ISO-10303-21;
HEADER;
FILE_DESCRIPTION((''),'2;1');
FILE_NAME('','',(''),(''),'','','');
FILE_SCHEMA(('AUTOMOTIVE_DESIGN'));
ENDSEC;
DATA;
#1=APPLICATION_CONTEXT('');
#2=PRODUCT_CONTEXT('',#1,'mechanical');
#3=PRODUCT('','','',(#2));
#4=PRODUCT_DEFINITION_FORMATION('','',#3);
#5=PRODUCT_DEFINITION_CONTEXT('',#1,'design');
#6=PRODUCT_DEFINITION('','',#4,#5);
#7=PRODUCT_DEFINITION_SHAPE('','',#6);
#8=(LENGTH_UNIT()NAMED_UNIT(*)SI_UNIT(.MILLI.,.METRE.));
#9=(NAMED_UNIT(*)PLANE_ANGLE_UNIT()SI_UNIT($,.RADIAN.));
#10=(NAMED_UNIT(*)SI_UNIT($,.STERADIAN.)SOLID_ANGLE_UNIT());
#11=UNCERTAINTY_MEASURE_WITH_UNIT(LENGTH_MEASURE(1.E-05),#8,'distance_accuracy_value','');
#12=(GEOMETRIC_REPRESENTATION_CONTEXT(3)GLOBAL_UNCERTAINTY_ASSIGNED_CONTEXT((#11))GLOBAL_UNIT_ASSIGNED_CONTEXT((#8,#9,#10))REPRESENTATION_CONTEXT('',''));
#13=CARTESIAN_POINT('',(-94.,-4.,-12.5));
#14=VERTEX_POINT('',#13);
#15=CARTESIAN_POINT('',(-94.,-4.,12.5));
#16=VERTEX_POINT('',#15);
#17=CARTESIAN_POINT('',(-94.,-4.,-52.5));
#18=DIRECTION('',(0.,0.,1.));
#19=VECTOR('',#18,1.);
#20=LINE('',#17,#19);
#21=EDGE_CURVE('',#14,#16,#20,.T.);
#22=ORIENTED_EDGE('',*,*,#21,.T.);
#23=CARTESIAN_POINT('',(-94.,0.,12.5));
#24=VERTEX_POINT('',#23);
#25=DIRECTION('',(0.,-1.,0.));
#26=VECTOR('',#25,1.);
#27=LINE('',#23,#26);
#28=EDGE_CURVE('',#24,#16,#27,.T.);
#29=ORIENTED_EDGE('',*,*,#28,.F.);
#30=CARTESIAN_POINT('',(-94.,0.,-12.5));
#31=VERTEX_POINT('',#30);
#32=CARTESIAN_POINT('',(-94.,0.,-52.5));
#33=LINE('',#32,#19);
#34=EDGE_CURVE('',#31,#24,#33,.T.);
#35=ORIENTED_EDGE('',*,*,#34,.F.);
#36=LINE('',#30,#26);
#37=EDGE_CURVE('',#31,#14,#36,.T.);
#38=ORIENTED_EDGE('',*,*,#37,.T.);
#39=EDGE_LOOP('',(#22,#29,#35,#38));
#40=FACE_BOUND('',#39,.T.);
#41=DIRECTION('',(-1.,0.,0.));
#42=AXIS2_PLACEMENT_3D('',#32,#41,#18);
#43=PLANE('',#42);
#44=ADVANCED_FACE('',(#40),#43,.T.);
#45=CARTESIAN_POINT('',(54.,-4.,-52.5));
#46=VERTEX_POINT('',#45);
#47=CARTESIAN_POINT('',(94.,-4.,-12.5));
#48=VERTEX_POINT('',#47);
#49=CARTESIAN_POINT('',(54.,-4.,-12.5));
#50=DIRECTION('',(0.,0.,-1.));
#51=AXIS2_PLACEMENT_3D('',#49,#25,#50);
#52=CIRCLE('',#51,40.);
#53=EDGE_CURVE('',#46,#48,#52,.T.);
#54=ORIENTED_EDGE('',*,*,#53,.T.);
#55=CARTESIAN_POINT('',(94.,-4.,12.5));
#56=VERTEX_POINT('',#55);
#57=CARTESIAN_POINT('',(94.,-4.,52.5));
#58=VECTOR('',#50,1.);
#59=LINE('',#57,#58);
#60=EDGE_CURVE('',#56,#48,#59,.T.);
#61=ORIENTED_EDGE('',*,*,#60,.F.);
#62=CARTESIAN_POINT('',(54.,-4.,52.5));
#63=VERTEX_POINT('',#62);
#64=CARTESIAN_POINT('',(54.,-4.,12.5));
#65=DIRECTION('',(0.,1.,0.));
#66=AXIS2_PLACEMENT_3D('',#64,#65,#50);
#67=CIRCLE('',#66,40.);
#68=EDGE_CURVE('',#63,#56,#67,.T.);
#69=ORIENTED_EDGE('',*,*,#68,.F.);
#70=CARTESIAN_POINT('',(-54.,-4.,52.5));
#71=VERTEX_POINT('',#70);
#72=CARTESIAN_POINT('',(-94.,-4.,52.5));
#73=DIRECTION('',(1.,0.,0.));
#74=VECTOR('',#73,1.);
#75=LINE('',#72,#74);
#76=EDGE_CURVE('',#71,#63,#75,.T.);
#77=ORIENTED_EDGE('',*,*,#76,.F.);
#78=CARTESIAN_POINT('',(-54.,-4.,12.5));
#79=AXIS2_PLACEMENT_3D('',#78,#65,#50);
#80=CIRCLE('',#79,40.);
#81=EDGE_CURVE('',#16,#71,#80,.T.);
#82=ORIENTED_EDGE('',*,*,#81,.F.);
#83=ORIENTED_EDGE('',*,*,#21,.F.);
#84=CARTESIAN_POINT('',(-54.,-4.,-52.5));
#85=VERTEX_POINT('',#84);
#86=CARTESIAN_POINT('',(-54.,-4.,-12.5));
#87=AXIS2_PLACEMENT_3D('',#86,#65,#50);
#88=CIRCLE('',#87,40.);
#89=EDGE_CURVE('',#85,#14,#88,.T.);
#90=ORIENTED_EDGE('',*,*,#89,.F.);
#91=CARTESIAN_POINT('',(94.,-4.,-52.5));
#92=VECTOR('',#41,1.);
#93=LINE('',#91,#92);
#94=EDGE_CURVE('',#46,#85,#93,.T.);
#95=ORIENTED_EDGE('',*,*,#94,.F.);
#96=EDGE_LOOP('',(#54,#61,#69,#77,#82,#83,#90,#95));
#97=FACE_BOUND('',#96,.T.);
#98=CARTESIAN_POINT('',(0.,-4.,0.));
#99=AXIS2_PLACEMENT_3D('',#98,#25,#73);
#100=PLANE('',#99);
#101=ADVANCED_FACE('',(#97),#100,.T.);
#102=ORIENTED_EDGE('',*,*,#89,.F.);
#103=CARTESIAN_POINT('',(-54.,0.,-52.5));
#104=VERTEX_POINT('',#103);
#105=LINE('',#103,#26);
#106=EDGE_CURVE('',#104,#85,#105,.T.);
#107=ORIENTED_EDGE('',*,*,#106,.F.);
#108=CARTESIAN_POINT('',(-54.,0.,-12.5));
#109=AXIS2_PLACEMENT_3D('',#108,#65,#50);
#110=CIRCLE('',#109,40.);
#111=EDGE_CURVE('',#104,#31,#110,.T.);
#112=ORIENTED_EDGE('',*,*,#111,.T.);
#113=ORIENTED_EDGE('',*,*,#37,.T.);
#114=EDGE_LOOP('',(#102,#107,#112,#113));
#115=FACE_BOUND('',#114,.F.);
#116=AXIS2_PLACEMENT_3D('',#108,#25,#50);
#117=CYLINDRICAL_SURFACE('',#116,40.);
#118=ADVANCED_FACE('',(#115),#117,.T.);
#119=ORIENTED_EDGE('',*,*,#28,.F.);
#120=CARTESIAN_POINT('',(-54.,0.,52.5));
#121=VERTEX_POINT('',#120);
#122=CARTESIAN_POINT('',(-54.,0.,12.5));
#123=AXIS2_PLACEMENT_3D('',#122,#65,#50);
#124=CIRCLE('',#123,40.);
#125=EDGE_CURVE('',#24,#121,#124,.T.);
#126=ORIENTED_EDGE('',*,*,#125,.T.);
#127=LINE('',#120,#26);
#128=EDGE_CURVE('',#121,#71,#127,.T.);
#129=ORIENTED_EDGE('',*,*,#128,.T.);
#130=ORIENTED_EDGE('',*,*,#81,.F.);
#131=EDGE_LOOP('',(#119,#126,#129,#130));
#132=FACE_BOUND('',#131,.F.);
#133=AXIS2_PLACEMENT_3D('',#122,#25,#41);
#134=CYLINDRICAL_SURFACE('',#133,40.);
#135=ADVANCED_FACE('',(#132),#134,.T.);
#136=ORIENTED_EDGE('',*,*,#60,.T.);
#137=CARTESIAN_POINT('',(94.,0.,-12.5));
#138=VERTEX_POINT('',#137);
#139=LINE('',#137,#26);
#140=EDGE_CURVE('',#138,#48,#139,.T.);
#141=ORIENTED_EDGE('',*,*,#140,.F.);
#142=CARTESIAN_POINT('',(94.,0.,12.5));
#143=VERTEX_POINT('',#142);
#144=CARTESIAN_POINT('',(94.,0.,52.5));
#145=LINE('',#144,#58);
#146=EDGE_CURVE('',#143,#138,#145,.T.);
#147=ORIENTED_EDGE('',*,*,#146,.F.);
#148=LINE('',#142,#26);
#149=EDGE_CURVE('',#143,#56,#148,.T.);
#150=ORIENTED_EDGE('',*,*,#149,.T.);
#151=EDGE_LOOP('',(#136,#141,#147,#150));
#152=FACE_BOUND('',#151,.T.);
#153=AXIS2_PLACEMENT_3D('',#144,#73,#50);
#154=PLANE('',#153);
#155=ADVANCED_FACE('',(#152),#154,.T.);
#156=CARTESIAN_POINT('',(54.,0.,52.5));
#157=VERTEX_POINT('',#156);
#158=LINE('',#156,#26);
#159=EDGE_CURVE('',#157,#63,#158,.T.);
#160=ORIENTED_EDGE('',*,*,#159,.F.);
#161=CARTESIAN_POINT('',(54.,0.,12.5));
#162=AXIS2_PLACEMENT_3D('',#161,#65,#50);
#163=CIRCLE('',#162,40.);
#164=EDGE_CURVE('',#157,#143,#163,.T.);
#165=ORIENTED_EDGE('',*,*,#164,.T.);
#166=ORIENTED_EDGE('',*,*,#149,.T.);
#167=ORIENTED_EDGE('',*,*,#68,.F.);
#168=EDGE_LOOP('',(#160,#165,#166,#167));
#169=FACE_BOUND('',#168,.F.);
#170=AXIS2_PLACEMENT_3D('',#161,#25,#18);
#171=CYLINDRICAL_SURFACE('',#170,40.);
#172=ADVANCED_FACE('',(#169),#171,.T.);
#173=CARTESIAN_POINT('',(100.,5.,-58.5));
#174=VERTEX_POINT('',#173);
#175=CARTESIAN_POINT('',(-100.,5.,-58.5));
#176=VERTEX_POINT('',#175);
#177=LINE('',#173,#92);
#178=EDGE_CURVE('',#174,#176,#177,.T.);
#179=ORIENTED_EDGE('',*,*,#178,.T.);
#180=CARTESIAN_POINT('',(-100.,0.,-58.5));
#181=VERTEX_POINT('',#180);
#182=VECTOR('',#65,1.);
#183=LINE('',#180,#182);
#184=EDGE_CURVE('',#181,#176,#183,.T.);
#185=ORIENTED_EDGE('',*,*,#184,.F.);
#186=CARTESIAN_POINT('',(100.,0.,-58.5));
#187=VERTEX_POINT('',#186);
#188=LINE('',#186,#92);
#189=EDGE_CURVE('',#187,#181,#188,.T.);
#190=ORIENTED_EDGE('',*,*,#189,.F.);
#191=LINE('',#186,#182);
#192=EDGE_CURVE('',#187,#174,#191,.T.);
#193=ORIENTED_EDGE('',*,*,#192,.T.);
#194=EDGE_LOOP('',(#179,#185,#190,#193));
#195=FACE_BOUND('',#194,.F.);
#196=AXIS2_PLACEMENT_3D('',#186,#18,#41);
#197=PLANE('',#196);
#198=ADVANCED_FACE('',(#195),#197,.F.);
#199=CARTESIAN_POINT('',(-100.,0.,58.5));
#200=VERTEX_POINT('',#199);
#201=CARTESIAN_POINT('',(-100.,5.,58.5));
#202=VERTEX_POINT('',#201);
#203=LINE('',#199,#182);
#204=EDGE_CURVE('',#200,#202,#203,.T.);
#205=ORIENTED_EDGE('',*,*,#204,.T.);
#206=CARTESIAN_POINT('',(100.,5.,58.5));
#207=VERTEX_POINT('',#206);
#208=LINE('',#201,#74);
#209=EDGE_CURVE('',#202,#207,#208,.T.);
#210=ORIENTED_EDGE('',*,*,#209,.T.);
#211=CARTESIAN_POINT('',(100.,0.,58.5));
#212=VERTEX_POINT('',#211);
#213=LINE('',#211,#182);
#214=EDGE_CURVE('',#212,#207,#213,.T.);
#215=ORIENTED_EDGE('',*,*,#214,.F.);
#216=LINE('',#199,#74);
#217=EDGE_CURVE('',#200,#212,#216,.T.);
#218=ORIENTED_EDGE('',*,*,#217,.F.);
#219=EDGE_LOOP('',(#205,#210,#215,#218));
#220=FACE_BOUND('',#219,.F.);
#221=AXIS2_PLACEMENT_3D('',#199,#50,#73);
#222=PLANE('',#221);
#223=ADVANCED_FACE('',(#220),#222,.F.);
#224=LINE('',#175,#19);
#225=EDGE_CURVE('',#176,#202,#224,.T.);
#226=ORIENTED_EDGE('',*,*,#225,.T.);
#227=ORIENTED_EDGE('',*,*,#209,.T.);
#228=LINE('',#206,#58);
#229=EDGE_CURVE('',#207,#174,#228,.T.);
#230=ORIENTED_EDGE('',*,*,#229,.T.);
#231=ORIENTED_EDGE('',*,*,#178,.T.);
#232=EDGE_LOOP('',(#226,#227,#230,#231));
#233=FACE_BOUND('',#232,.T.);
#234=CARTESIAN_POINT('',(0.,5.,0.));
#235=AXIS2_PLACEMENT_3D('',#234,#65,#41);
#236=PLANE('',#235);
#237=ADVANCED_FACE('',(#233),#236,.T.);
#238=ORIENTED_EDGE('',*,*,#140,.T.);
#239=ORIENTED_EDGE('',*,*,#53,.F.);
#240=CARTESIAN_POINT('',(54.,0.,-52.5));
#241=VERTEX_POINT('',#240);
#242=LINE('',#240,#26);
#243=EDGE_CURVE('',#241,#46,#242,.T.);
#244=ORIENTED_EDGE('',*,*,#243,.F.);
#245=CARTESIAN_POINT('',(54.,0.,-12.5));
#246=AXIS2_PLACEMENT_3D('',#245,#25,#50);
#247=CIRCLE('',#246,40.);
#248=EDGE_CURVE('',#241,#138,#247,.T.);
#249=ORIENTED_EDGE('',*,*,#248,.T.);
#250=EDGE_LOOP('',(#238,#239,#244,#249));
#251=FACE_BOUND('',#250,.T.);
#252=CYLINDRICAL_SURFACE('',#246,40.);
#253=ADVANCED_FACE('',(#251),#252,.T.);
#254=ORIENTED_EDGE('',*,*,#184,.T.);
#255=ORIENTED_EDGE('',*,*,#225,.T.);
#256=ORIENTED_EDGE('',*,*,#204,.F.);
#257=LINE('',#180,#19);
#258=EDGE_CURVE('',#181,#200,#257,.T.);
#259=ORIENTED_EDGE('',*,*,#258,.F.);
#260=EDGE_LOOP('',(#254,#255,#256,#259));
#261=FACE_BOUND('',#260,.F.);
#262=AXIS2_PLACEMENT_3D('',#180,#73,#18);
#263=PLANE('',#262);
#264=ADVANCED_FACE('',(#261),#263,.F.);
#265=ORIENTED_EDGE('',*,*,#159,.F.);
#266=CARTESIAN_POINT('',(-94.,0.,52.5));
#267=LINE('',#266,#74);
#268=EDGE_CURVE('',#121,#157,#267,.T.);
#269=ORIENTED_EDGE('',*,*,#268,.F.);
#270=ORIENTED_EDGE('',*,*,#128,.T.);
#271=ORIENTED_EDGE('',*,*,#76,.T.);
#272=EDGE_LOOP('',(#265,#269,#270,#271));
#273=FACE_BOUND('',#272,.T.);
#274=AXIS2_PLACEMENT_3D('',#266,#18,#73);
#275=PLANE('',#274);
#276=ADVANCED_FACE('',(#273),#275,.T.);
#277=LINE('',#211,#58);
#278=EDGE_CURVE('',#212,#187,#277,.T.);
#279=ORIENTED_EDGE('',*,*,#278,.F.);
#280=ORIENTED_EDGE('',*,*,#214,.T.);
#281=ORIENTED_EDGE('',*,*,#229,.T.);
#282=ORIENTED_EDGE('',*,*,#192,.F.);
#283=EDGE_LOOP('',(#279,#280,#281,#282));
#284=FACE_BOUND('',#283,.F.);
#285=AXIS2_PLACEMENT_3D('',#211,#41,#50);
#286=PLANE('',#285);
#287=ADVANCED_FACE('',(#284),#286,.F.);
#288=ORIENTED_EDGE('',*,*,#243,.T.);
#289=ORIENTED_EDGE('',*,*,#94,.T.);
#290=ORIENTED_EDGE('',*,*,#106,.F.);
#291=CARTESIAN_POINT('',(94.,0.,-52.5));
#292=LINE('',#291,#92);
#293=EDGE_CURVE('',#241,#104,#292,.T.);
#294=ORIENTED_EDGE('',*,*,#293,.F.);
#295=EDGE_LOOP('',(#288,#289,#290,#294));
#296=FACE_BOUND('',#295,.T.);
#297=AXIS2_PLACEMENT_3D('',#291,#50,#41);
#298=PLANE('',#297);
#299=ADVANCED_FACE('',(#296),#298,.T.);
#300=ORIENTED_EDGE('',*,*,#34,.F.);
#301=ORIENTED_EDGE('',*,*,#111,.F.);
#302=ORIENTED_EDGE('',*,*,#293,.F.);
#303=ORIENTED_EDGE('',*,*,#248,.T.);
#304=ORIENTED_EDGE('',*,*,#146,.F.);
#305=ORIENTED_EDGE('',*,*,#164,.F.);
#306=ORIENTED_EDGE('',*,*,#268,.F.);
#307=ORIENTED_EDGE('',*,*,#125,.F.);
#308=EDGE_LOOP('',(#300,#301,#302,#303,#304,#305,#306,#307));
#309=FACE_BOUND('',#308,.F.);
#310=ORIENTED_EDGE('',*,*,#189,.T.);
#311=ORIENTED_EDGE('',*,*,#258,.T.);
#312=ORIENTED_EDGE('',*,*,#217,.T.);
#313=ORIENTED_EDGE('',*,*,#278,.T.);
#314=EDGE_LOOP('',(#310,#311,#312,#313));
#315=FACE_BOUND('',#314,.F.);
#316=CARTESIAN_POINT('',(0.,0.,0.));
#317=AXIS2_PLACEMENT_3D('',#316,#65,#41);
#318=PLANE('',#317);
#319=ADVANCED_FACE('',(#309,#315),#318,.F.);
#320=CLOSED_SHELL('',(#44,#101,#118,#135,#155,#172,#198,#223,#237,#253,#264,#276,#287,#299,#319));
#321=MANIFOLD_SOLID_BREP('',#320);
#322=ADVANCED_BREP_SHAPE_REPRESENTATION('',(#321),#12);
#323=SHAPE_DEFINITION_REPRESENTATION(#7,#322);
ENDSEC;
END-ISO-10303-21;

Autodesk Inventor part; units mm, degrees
ref_plane "YZ Plane" through (0, 0, 0) normal (1, 0, 0) x (0, 1, 0)
ref_plane "XZ Plane" through (0, 0, 0) normal (0, 1, 0) x (-1, 0, 0)
ref_plane "XY Plane" through (0, 0, 0) normal (0, 0, 1) x (1, 0, 0)
sketch "Sketch2" plane through (0, 0, 0) normal (0, 1, 0) x (-1, 0, 0)
  line L0 (-100, 58.5) -> (-100, -58.5)
  line L1 (-100, -58.5) -> (100, -58.5)
  line L2 (100, -58.5) -> (100, 58.5)
  line L3 (100, 58.5) -> (-100, 58.5)
  point P0 (0, 0)
  point P1 (100, 0)
  dimension "d0" = 117
  dimension "d1" = 200
  dimension "d2" = 58.5
  dimension "d3" = 100
extrude "Extrusion1" add sketch "Sketch2" along normal blind 5
sketch "Sketch3" plane through (0, 0, 0) normal (0, -1, 0) x (1, 0, 0)
  line L0 (94, -52.5) -> (-94, -52.5)
  line L1 (-94, -52.5) -> (-94, 52.5)
  line L2 (-94, 52.5) -> (94, 52.5)
  line L3 (94, 52.5) -> (94, -52.5)
  line L4 (100, -58.5) -> (-100, -58.5) projected
  line L5 (-100, 58.5) -> (100, 58.5) projected
  line L6 (-100, -58.5) -> (-100, 58.5) projected
  line L7 (100, 58.5) -> (100, -58.5) projected
  point P0 (0, 0)
  dimension "d6" = 6
  dimension "d7" = 6
  dimension "d8" = 6
  dimension "d9" = 6
extrude "Extrusion2" add sketch "Sketch3" along normal blind 4 contours L0 L1 L2 L3
fillet "Fillet1" radius 40 4 edges at (94, -2, 52.5) (-94, -2, 52.5) (-94, -2, -52.5) (94, -2, -52.5)
properties part number "clip-cover"
